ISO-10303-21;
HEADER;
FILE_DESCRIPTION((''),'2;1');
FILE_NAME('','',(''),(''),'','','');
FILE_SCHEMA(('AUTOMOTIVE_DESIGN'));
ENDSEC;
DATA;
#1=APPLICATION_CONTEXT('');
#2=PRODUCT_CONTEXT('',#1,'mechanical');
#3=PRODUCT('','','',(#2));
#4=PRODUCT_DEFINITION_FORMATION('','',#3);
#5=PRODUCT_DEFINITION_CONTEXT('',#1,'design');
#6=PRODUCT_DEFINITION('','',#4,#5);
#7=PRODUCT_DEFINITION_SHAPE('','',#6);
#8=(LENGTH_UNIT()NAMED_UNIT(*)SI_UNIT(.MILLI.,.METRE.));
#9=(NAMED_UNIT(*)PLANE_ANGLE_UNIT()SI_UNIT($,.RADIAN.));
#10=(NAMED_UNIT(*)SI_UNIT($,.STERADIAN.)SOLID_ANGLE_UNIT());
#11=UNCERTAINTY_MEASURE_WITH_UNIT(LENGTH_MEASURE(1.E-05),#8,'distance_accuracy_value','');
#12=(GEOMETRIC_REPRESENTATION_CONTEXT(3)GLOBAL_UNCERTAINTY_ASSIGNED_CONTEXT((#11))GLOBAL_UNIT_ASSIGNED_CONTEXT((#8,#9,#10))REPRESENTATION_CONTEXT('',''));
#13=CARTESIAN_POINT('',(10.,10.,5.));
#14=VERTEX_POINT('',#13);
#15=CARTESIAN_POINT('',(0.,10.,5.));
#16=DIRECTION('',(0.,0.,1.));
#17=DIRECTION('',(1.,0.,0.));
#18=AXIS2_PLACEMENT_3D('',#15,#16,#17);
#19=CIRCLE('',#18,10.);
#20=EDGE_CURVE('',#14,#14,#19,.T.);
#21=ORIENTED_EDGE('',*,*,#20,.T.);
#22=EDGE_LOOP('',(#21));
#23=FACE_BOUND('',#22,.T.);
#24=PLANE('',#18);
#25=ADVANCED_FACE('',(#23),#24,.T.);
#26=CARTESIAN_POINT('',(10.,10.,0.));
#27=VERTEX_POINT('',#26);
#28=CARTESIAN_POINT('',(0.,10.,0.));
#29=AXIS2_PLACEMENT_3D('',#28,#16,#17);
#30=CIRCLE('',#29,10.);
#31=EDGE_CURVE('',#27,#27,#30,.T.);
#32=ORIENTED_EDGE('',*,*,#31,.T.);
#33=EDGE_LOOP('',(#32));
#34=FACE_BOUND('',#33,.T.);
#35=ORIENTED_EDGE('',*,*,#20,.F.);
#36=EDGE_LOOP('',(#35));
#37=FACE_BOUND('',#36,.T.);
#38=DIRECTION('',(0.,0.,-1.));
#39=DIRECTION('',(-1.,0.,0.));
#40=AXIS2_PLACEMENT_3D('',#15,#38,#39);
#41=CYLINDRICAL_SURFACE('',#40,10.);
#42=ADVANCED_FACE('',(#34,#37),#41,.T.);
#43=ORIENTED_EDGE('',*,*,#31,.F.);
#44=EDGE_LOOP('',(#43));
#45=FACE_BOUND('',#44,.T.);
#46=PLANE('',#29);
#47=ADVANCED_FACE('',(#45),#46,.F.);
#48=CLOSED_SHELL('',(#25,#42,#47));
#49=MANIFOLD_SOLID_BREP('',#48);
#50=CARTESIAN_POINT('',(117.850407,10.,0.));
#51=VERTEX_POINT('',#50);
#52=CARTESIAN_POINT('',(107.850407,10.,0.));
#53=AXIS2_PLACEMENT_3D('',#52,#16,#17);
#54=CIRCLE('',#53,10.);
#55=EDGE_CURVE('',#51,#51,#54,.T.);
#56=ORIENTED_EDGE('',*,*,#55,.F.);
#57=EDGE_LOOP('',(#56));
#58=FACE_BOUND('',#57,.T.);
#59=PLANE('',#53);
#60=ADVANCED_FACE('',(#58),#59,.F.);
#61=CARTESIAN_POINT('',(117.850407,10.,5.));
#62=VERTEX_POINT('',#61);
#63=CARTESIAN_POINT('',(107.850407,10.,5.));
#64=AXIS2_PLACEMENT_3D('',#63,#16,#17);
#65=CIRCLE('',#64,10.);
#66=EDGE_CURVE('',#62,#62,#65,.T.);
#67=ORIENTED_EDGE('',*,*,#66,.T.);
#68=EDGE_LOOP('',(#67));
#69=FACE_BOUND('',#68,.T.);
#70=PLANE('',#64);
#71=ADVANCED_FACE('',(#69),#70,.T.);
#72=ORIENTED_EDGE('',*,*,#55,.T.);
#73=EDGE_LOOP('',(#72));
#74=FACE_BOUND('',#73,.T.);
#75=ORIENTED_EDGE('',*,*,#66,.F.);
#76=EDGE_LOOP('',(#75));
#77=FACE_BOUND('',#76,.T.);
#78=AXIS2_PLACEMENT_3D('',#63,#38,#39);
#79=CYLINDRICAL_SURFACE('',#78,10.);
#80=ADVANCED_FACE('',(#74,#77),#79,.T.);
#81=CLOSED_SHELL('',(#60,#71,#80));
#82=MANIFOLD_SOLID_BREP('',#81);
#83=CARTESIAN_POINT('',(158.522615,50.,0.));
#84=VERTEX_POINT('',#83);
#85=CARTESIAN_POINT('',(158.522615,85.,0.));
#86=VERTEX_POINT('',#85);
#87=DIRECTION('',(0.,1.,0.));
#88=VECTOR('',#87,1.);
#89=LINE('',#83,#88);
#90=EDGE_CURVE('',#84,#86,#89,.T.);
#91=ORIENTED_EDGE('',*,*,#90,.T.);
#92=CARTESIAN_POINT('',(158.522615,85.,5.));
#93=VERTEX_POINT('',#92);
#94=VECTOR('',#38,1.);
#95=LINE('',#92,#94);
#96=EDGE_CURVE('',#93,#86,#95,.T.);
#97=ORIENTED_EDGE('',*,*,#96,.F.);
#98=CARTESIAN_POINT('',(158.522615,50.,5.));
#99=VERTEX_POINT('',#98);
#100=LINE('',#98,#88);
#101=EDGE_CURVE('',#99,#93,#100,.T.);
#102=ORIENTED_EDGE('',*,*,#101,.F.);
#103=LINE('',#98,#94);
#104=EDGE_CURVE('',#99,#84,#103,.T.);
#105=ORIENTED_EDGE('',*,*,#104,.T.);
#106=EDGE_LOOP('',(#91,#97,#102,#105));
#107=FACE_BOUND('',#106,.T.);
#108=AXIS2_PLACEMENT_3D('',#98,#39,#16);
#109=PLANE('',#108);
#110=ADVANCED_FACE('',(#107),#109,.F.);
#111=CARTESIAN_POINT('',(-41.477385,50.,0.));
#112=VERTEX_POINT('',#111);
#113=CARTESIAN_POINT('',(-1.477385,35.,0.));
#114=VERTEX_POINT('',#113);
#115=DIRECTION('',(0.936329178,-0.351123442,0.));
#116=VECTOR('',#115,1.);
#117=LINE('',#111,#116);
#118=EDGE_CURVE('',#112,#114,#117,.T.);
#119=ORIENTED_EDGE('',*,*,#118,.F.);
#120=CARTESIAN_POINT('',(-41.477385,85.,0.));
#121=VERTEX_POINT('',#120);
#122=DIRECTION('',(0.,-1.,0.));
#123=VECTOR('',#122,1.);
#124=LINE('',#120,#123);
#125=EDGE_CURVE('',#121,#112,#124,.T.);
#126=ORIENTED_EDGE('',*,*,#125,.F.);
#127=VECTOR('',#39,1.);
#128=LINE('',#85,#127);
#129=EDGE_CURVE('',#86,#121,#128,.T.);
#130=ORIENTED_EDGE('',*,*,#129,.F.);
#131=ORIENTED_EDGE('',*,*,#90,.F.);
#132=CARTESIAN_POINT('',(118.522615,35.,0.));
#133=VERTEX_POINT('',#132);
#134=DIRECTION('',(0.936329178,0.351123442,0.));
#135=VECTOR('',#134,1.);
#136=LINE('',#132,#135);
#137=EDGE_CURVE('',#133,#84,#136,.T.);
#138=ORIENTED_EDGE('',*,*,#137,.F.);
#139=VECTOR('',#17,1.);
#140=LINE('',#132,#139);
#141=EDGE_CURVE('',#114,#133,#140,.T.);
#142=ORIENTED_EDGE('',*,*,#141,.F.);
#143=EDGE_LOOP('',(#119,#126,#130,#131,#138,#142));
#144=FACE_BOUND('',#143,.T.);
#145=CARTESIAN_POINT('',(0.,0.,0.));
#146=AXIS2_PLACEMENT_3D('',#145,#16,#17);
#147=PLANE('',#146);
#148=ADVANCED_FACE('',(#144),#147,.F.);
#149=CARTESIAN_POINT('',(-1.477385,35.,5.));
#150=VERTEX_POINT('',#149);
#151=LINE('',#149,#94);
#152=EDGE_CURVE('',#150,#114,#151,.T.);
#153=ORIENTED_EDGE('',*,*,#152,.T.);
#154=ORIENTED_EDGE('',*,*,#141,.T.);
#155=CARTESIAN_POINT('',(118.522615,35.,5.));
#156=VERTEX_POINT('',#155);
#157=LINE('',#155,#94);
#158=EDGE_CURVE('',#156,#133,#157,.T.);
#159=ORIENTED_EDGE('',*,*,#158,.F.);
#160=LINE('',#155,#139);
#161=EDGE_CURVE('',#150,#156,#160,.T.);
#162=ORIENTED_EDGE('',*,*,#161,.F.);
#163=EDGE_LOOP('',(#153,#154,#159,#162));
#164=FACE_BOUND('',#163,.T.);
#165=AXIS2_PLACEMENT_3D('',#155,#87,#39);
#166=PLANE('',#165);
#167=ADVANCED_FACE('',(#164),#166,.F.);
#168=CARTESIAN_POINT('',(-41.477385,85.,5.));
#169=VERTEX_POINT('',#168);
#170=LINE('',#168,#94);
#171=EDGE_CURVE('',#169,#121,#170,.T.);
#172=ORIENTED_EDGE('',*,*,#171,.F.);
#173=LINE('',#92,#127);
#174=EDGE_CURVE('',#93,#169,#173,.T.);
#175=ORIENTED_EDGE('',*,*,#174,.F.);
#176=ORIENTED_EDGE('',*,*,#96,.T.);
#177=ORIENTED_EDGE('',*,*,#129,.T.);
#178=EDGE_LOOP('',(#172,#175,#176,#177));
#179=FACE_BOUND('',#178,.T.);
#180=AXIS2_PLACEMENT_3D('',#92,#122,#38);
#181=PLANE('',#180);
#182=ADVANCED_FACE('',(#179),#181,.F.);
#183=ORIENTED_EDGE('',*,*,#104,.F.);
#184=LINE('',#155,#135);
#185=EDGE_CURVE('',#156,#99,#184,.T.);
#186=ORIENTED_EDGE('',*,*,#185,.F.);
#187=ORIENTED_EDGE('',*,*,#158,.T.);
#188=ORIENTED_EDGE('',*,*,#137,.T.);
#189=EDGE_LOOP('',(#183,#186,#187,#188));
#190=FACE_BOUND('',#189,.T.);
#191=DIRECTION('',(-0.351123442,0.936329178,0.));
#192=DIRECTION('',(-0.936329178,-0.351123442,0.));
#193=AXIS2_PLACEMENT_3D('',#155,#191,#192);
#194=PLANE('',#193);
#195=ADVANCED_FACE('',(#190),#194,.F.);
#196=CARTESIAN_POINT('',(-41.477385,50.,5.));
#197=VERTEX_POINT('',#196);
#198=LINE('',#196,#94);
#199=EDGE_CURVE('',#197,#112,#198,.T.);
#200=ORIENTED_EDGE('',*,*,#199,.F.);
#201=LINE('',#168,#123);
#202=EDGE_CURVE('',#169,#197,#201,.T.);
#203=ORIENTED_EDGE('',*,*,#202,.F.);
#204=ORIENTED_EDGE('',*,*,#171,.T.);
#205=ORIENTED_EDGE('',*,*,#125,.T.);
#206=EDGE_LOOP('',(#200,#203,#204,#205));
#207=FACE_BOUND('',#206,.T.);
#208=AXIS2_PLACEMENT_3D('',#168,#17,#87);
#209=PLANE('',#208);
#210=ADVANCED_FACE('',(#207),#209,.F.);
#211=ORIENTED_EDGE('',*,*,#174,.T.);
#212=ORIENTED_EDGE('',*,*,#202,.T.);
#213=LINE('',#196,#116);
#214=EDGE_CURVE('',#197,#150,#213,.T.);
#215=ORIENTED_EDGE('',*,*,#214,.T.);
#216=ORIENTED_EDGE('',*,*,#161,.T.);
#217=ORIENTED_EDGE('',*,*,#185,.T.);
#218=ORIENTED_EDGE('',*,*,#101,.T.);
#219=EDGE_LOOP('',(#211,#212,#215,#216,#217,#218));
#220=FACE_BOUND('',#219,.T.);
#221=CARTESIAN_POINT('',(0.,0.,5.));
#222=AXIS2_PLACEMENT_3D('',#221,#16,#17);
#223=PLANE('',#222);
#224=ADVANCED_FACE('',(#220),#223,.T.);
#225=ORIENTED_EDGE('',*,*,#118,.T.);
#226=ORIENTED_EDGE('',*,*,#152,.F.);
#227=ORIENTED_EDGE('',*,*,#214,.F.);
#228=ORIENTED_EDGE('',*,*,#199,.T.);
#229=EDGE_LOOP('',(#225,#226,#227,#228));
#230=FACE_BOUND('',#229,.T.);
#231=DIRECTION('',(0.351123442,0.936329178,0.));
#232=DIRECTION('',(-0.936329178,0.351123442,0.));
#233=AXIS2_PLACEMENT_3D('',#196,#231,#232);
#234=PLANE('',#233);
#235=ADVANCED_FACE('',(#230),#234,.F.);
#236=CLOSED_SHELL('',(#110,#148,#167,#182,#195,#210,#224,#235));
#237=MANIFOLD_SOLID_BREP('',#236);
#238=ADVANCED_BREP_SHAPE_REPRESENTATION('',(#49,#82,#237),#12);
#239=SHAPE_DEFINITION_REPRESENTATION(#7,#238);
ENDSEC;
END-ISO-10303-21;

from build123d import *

# Parameters (mm, degrees)
SKETCH1_R             = 10
BOSS_EXTRUDE1_DEPTH   = 5
BOSS_EXTRUDE1_2_DEPTH = 5
BOSS_EXTRUDE1_3_DEPTH = 5


with BuildPart() as part:
    # Sketch1 → Boss-Extrude1 (new body)
    with BuildSketch(Plane.XY):
        with Locations((0, 10)):
            Circle(SKETCH1_R)
    extrude(amount=BOSS_EXTRUDE1_DEPTH)


with BuildPart() as body_2:
    # Sketch1 → Boss-Extrude1 2 (new body)
    with BuildSketch(Plane.XY):
        with Locations((107.850406647, 10)):
            Circle(SKETCH1_R)
    extrude(amount=BOSS_EXTRUDE1_2_DEPTH)


with BuildPart() as body_3:
    # Sketch1 → Boss-Extrude1 3 (new body)
    with BuildSketch(Plane.XY):
        Polygon((158.522615343, 85), (-41.477384657, 85), (-41.477384657, 50), (-1.477384657, 35), (118.522615343, 35), (158.522615343, 50), align=None)
    extrude(amount=BOSS_EXTRUDE1_3_DEPTH)


solid = Compound([part.part, body_2.part, body_3.part])
